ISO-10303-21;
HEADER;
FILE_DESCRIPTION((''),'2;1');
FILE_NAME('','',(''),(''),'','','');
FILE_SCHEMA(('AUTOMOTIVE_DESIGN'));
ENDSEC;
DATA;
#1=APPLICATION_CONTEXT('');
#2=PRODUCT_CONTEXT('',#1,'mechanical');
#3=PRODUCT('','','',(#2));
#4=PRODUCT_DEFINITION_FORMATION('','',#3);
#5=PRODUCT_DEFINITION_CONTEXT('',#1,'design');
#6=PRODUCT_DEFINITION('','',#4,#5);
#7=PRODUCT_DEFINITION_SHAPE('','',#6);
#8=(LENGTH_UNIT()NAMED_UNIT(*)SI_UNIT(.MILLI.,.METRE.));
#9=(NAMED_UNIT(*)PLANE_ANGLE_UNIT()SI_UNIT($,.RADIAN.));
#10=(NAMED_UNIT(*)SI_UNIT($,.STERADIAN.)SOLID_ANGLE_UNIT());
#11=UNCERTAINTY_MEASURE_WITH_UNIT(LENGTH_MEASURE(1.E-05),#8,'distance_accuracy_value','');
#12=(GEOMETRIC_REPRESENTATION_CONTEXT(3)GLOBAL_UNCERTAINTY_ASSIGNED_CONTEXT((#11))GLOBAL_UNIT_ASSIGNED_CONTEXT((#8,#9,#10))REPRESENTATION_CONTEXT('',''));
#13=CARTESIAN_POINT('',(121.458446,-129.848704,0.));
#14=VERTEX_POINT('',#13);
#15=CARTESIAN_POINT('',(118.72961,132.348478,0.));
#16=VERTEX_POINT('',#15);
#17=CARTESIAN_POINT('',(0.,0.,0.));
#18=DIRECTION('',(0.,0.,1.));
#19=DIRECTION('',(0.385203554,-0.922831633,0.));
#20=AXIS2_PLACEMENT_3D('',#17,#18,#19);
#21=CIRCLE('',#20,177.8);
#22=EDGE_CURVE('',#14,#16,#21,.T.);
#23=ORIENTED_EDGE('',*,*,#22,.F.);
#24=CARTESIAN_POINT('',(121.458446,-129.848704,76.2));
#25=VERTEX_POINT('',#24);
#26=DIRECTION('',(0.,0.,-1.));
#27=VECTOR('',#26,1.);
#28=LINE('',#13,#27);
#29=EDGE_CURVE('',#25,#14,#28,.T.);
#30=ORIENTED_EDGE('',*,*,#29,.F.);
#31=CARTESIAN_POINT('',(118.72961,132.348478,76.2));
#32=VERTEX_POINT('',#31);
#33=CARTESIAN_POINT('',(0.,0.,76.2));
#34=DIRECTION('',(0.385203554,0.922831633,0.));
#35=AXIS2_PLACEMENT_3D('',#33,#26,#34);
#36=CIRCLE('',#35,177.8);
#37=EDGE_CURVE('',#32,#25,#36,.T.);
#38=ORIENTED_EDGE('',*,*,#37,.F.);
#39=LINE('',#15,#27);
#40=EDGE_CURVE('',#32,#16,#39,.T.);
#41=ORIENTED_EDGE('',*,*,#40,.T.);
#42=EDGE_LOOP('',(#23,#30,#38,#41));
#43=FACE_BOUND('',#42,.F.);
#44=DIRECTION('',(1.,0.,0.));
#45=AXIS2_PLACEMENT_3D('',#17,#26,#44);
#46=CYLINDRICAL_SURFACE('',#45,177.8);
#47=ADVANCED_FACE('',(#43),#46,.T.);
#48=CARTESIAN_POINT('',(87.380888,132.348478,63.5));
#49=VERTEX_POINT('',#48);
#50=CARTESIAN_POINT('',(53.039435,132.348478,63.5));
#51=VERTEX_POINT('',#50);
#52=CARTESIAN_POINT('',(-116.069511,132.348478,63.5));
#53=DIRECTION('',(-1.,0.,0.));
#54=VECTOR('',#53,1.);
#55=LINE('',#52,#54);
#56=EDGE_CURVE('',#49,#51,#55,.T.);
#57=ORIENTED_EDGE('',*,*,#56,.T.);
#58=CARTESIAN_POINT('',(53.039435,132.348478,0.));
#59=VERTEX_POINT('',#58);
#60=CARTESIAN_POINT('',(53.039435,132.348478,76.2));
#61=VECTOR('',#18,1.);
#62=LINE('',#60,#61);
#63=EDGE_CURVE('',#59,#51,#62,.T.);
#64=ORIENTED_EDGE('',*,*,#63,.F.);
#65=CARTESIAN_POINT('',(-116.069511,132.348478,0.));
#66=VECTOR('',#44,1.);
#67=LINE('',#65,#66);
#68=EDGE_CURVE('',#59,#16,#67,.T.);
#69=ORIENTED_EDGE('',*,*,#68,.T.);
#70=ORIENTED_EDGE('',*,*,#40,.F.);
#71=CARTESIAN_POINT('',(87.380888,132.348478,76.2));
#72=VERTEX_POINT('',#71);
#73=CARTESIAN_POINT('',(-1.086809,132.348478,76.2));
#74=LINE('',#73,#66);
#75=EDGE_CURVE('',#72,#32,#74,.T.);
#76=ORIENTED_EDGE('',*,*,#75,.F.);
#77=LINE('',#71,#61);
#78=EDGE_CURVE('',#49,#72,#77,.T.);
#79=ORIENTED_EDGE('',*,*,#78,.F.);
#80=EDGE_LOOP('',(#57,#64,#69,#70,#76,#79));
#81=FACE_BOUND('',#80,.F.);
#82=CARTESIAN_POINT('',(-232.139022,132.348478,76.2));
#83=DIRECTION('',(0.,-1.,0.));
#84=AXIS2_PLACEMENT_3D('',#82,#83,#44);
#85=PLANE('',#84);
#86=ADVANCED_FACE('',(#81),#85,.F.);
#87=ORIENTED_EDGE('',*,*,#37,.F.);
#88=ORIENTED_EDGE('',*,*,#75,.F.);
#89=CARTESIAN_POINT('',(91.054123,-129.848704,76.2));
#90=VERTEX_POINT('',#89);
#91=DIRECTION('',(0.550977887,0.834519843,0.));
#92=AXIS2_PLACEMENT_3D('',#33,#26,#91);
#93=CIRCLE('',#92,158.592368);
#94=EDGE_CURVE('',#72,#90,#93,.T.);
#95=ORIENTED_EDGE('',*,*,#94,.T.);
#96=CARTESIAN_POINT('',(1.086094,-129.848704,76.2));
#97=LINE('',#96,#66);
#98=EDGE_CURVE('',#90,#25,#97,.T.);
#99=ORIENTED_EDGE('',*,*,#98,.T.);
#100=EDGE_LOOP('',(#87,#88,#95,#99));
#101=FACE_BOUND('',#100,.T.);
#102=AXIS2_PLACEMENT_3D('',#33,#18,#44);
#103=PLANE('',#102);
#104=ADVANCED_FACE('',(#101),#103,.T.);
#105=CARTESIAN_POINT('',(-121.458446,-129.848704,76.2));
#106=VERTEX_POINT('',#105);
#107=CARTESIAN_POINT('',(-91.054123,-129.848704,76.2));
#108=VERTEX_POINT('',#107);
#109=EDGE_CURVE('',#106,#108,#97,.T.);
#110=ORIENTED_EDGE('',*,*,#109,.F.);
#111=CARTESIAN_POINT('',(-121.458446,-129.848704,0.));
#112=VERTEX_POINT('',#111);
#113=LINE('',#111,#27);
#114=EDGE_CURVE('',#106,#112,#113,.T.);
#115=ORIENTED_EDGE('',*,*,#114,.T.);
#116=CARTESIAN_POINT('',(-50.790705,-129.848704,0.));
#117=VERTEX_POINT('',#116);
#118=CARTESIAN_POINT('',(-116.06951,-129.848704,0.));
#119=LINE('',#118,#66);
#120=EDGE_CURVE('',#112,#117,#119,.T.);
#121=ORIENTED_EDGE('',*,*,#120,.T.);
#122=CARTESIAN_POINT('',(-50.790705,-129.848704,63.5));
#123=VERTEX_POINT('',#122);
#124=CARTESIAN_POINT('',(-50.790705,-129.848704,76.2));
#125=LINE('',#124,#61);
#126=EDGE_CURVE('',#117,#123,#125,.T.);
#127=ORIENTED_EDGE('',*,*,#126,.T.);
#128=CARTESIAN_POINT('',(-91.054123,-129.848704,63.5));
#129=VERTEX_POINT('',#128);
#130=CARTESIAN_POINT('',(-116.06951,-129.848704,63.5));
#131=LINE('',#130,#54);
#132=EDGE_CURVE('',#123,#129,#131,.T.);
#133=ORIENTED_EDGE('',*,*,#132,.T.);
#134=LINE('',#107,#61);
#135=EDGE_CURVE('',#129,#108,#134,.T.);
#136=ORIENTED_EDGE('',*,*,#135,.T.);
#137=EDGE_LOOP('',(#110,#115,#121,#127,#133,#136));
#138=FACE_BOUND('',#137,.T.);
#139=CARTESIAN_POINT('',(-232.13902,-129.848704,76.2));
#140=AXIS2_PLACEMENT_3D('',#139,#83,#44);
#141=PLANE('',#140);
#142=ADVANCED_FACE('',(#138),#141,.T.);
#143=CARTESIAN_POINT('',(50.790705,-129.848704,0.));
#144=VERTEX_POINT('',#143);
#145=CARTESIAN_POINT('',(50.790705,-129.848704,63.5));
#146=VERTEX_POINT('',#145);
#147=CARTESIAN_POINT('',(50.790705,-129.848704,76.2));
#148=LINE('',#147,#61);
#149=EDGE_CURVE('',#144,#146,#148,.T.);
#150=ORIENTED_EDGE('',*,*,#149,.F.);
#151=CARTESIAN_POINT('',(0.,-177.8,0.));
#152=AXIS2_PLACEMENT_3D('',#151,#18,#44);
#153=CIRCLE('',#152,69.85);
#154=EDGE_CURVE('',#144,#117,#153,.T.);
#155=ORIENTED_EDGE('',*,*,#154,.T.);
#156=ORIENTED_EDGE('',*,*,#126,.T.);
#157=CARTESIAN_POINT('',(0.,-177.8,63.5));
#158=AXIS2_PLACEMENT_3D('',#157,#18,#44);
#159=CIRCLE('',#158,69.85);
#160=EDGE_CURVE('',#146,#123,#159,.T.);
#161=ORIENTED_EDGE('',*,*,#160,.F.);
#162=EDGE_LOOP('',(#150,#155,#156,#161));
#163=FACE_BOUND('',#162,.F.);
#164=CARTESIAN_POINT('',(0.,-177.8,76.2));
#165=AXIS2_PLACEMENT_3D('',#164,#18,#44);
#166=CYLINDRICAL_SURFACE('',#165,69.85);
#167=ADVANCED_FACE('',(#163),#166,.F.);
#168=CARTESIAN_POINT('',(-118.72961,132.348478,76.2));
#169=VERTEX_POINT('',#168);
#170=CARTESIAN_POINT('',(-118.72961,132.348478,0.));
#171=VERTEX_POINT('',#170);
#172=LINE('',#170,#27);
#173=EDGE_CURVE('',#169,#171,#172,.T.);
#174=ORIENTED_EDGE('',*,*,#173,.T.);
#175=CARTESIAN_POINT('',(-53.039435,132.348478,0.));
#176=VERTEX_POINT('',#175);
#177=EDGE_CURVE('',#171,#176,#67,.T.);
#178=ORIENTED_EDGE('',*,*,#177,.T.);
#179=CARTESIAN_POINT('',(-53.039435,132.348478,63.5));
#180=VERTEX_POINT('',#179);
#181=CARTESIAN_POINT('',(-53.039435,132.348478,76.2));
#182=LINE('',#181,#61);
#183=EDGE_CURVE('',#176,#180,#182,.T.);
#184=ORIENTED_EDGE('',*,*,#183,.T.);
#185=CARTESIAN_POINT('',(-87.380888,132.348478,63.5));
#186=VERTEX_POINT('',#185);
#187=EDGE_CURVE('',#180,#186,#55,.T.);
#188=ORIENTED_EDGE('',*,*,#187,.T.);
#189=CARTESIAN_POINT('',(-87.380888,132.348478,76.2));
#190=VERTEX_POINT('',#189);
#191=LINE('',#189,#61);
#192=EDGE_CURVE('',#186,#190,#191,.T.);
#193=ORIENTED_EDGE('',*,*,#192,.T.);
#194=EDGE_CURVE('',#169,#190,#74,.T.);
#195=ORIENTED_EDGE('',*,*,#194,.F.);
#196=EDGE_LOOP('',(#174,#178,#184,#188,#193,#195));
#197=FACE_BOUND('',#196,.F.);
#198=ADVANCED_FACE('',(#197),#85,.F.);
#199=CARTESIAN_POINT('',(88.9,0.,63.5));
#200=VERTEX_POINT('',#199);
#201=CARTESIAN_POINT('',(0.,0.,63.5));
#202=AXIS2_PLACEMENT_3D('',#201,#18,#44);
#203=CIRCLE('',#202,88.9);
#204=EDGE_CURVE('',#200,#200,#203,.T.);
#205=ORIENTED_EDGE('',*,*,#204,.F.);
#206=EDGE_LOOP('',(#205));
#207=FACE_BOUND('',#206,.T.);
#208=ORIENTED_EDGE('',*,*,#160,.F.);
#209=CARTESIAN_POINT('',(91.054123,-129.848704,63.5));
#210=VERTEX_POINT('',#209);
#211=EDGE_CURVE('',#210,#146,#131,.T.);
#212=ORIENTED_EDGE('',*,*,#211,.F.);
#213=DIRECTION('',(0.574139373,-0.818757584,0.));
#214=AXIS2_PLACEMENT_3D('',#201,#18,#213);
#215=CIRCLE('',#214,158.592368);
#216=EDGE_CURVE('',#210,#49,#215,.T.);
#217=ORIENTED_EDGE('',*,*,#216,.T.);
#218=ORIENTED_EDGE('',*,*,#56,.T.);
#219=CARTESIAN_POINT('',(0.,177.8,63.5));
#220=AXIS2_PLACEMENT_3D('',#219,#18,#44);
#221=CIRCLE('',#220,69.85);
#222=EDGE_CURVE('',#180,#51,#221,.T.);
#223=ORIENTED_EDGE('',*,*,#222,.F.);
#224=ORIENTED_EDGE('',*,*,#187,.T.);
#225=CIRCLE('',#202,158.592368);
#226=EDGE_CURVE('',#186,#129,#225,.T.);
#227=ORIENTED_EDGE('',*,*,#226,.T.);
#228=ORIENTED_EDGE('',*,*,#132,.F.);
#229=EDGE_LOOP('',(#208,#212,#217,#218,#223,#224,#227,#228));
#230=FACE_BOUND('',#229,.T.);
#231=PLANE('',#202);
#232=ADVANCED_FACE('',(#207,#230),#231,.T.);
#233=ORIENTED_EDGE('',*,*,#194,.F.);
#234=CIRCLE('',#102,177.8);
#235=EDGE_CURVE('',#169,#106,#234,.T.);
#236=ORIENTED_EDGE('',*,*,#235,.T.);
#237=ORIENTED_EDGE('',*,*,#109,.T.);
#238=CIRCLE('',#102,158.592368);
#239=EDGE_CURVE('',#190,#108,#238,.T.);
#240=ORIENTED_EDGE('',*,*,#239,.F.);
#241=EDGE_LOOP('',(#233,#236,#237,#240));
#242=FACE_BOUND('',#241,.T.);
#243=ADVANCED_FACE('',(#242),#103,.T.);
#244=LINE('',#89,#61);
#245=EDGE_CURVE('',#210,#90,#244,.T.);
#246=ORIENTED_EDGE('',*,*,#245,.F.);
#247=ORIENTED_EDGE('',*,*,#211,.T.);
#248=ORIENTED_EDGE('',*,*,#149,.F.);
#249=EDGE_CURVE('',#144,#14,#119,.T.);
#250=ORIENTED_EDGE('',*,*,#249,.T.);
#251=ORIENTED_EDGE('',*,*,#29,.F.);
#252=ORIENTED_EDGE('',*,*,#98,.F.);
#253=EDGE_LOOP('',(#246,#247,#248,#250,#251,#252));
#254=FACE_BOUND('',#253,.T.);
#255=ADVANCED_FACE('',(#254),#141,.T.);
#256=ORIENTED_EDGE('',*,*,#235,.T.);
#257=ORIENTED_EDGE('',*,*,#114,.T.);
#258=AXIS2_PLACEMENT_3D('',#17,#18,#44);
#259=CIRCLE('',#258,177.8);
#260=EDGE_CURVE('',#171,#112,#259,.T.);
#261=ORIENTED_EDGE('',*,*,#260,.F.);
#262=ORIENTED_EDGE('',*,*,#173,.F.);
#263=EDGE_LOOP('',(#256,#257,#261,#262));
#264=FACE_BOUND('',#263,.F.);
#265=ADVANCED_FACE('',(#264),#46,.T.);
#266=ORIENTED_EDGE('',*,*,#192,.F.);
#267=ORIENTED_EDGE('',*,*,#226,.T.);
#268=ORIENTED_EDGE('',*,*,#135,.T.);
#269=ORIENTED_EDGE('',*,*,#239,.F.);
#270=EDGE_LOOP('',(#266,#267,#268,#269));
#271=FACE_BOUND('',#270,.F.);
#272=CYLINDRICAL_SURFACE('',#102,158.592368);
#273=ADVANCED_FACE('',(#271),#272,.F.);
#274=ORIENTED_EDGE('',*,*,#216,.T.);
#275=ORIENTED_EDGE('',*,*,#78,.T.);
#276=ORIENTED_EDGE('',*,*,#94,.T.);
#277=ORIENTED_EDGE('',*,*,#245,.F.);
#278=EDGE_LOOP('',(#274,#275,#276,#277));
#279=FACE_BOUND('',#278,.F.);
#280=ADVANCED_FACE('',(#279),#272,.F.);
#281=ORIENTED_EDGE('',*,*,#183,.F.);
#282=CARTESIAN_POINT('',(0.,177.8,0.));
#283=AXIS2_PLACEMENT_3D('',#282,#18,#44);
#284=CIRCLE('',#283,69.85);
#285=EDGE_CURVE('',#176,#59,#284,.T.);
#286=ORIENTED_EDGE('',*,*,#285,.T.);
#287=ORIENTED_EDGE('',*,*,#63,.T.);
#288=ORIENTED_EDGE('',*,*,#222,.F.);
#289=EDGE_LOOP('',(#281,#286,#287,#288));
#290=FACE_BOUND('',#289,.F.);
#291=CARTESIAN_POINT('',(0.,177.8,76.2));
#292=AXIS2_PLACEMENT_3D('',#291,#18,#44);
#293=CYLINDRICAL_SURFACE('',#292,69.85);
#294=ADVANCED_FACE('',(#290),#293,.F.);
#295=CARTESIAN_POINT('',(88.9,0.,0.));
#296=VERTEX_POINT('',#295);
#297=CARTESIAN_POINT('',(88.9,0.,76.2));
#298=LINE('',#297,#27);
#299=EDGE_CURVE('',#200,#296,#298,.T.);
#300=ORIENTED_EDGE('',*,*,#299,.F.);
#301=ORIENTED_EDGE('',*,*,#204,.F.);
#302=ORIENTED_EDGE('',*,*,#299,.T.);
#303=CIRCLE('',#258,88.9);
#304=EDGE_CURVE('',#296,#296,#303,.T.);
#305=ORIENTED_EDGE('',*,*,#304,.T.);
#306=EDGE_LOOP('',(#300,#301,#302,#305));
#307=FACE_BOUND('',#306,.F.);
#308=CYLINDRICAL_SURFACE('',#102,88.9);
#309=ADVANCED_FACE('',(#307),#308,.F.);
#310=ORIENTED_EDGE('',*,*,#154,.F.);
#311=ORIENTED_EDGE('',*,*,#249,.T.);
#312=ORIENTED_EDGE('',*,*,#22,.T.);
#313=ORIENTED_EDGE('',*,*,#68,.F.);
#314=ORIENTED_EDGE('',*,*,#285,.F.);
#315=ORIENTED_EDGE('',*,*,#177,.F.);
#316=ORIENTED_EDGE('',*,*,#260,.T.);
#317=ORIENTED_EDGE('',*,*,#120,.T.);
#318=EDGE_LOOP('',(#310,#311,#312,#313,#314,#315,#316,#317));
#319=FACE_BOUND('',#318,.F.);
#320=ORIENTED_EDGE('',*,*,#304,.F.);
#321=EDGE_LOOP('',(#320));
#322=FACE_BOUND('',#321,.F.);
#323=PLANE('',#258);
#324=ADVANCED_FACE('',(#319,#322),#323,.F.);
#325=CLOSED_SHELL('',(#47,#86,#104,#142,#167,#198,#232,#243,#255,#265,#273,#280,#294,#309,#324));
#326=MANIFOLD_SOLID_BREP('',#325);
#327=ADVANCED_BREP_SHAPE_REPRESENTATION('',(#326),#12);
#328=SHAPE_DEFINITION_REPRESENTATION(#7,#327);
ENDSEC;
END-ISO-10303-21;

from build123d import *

# Parameters (mm, degrees)
F0_R     = 177.8
F1_DEPTH = 76.2
F2_R     = 88.9
F3_DEPTH = 254
F4_R     = 69.85
F5_DEPTH = 254
F6_W     = 462.104425
F6_H     = 46.355292
F6_W_2   = 466.450229
F6_H_2   = 34.23076
F7_DEPTH = 254
F8_R     = 158.592368
F9_DEPTH = 12.7


with BuildPart() as f1:
    # F0 (on Top) → F1 (new body)
    with BuildSketch(Plane.XY):
        Circle(F0_R)
    extrude(amount=F1_DEPTH)

    # F2 (on face) → F3 (cut)
    with BuildSketch(Plane.XY.offset(76.2)):
        Circle(F2_R)
    extrude(amount=-F3_DEPTH, mode=Mode.SUBTRACT)

    # F4 (on face) → F5 (cut)
    with BuildSketch(Plane.XY.offset(76.2)):
        with Locations((0, 177.8)):
            Circle(F4_R)
        with Locations((0, -177.8)):
            Circle(F4_R)
    extrude(amount=-F5_DEPTH, mode=Mode.SUBTRACT)

    # F6 (on face) → F7 (cut)
    with BuildSketch(Plane.XY.offset(76.2)):
        with Locations((-1.086809, 155.526124)):
            Rectangle(F6_W, F6_H)
        with Locations((1.086094, -146.964084)):
            Rectangle(F6_W_2, F6_H_2)
    extrude(amount=-F7_DEPTH, mode=Mode.SUBTRACT)

    # F8 (on face) → F9 (cut)
    with BuildSketch(Plane.XY.offset(76.2)):
        Circle(F8_R)
    extrude(amount=-F9_DEPTH, mode=Mode.SUBTRACT)


solid = f1.part
